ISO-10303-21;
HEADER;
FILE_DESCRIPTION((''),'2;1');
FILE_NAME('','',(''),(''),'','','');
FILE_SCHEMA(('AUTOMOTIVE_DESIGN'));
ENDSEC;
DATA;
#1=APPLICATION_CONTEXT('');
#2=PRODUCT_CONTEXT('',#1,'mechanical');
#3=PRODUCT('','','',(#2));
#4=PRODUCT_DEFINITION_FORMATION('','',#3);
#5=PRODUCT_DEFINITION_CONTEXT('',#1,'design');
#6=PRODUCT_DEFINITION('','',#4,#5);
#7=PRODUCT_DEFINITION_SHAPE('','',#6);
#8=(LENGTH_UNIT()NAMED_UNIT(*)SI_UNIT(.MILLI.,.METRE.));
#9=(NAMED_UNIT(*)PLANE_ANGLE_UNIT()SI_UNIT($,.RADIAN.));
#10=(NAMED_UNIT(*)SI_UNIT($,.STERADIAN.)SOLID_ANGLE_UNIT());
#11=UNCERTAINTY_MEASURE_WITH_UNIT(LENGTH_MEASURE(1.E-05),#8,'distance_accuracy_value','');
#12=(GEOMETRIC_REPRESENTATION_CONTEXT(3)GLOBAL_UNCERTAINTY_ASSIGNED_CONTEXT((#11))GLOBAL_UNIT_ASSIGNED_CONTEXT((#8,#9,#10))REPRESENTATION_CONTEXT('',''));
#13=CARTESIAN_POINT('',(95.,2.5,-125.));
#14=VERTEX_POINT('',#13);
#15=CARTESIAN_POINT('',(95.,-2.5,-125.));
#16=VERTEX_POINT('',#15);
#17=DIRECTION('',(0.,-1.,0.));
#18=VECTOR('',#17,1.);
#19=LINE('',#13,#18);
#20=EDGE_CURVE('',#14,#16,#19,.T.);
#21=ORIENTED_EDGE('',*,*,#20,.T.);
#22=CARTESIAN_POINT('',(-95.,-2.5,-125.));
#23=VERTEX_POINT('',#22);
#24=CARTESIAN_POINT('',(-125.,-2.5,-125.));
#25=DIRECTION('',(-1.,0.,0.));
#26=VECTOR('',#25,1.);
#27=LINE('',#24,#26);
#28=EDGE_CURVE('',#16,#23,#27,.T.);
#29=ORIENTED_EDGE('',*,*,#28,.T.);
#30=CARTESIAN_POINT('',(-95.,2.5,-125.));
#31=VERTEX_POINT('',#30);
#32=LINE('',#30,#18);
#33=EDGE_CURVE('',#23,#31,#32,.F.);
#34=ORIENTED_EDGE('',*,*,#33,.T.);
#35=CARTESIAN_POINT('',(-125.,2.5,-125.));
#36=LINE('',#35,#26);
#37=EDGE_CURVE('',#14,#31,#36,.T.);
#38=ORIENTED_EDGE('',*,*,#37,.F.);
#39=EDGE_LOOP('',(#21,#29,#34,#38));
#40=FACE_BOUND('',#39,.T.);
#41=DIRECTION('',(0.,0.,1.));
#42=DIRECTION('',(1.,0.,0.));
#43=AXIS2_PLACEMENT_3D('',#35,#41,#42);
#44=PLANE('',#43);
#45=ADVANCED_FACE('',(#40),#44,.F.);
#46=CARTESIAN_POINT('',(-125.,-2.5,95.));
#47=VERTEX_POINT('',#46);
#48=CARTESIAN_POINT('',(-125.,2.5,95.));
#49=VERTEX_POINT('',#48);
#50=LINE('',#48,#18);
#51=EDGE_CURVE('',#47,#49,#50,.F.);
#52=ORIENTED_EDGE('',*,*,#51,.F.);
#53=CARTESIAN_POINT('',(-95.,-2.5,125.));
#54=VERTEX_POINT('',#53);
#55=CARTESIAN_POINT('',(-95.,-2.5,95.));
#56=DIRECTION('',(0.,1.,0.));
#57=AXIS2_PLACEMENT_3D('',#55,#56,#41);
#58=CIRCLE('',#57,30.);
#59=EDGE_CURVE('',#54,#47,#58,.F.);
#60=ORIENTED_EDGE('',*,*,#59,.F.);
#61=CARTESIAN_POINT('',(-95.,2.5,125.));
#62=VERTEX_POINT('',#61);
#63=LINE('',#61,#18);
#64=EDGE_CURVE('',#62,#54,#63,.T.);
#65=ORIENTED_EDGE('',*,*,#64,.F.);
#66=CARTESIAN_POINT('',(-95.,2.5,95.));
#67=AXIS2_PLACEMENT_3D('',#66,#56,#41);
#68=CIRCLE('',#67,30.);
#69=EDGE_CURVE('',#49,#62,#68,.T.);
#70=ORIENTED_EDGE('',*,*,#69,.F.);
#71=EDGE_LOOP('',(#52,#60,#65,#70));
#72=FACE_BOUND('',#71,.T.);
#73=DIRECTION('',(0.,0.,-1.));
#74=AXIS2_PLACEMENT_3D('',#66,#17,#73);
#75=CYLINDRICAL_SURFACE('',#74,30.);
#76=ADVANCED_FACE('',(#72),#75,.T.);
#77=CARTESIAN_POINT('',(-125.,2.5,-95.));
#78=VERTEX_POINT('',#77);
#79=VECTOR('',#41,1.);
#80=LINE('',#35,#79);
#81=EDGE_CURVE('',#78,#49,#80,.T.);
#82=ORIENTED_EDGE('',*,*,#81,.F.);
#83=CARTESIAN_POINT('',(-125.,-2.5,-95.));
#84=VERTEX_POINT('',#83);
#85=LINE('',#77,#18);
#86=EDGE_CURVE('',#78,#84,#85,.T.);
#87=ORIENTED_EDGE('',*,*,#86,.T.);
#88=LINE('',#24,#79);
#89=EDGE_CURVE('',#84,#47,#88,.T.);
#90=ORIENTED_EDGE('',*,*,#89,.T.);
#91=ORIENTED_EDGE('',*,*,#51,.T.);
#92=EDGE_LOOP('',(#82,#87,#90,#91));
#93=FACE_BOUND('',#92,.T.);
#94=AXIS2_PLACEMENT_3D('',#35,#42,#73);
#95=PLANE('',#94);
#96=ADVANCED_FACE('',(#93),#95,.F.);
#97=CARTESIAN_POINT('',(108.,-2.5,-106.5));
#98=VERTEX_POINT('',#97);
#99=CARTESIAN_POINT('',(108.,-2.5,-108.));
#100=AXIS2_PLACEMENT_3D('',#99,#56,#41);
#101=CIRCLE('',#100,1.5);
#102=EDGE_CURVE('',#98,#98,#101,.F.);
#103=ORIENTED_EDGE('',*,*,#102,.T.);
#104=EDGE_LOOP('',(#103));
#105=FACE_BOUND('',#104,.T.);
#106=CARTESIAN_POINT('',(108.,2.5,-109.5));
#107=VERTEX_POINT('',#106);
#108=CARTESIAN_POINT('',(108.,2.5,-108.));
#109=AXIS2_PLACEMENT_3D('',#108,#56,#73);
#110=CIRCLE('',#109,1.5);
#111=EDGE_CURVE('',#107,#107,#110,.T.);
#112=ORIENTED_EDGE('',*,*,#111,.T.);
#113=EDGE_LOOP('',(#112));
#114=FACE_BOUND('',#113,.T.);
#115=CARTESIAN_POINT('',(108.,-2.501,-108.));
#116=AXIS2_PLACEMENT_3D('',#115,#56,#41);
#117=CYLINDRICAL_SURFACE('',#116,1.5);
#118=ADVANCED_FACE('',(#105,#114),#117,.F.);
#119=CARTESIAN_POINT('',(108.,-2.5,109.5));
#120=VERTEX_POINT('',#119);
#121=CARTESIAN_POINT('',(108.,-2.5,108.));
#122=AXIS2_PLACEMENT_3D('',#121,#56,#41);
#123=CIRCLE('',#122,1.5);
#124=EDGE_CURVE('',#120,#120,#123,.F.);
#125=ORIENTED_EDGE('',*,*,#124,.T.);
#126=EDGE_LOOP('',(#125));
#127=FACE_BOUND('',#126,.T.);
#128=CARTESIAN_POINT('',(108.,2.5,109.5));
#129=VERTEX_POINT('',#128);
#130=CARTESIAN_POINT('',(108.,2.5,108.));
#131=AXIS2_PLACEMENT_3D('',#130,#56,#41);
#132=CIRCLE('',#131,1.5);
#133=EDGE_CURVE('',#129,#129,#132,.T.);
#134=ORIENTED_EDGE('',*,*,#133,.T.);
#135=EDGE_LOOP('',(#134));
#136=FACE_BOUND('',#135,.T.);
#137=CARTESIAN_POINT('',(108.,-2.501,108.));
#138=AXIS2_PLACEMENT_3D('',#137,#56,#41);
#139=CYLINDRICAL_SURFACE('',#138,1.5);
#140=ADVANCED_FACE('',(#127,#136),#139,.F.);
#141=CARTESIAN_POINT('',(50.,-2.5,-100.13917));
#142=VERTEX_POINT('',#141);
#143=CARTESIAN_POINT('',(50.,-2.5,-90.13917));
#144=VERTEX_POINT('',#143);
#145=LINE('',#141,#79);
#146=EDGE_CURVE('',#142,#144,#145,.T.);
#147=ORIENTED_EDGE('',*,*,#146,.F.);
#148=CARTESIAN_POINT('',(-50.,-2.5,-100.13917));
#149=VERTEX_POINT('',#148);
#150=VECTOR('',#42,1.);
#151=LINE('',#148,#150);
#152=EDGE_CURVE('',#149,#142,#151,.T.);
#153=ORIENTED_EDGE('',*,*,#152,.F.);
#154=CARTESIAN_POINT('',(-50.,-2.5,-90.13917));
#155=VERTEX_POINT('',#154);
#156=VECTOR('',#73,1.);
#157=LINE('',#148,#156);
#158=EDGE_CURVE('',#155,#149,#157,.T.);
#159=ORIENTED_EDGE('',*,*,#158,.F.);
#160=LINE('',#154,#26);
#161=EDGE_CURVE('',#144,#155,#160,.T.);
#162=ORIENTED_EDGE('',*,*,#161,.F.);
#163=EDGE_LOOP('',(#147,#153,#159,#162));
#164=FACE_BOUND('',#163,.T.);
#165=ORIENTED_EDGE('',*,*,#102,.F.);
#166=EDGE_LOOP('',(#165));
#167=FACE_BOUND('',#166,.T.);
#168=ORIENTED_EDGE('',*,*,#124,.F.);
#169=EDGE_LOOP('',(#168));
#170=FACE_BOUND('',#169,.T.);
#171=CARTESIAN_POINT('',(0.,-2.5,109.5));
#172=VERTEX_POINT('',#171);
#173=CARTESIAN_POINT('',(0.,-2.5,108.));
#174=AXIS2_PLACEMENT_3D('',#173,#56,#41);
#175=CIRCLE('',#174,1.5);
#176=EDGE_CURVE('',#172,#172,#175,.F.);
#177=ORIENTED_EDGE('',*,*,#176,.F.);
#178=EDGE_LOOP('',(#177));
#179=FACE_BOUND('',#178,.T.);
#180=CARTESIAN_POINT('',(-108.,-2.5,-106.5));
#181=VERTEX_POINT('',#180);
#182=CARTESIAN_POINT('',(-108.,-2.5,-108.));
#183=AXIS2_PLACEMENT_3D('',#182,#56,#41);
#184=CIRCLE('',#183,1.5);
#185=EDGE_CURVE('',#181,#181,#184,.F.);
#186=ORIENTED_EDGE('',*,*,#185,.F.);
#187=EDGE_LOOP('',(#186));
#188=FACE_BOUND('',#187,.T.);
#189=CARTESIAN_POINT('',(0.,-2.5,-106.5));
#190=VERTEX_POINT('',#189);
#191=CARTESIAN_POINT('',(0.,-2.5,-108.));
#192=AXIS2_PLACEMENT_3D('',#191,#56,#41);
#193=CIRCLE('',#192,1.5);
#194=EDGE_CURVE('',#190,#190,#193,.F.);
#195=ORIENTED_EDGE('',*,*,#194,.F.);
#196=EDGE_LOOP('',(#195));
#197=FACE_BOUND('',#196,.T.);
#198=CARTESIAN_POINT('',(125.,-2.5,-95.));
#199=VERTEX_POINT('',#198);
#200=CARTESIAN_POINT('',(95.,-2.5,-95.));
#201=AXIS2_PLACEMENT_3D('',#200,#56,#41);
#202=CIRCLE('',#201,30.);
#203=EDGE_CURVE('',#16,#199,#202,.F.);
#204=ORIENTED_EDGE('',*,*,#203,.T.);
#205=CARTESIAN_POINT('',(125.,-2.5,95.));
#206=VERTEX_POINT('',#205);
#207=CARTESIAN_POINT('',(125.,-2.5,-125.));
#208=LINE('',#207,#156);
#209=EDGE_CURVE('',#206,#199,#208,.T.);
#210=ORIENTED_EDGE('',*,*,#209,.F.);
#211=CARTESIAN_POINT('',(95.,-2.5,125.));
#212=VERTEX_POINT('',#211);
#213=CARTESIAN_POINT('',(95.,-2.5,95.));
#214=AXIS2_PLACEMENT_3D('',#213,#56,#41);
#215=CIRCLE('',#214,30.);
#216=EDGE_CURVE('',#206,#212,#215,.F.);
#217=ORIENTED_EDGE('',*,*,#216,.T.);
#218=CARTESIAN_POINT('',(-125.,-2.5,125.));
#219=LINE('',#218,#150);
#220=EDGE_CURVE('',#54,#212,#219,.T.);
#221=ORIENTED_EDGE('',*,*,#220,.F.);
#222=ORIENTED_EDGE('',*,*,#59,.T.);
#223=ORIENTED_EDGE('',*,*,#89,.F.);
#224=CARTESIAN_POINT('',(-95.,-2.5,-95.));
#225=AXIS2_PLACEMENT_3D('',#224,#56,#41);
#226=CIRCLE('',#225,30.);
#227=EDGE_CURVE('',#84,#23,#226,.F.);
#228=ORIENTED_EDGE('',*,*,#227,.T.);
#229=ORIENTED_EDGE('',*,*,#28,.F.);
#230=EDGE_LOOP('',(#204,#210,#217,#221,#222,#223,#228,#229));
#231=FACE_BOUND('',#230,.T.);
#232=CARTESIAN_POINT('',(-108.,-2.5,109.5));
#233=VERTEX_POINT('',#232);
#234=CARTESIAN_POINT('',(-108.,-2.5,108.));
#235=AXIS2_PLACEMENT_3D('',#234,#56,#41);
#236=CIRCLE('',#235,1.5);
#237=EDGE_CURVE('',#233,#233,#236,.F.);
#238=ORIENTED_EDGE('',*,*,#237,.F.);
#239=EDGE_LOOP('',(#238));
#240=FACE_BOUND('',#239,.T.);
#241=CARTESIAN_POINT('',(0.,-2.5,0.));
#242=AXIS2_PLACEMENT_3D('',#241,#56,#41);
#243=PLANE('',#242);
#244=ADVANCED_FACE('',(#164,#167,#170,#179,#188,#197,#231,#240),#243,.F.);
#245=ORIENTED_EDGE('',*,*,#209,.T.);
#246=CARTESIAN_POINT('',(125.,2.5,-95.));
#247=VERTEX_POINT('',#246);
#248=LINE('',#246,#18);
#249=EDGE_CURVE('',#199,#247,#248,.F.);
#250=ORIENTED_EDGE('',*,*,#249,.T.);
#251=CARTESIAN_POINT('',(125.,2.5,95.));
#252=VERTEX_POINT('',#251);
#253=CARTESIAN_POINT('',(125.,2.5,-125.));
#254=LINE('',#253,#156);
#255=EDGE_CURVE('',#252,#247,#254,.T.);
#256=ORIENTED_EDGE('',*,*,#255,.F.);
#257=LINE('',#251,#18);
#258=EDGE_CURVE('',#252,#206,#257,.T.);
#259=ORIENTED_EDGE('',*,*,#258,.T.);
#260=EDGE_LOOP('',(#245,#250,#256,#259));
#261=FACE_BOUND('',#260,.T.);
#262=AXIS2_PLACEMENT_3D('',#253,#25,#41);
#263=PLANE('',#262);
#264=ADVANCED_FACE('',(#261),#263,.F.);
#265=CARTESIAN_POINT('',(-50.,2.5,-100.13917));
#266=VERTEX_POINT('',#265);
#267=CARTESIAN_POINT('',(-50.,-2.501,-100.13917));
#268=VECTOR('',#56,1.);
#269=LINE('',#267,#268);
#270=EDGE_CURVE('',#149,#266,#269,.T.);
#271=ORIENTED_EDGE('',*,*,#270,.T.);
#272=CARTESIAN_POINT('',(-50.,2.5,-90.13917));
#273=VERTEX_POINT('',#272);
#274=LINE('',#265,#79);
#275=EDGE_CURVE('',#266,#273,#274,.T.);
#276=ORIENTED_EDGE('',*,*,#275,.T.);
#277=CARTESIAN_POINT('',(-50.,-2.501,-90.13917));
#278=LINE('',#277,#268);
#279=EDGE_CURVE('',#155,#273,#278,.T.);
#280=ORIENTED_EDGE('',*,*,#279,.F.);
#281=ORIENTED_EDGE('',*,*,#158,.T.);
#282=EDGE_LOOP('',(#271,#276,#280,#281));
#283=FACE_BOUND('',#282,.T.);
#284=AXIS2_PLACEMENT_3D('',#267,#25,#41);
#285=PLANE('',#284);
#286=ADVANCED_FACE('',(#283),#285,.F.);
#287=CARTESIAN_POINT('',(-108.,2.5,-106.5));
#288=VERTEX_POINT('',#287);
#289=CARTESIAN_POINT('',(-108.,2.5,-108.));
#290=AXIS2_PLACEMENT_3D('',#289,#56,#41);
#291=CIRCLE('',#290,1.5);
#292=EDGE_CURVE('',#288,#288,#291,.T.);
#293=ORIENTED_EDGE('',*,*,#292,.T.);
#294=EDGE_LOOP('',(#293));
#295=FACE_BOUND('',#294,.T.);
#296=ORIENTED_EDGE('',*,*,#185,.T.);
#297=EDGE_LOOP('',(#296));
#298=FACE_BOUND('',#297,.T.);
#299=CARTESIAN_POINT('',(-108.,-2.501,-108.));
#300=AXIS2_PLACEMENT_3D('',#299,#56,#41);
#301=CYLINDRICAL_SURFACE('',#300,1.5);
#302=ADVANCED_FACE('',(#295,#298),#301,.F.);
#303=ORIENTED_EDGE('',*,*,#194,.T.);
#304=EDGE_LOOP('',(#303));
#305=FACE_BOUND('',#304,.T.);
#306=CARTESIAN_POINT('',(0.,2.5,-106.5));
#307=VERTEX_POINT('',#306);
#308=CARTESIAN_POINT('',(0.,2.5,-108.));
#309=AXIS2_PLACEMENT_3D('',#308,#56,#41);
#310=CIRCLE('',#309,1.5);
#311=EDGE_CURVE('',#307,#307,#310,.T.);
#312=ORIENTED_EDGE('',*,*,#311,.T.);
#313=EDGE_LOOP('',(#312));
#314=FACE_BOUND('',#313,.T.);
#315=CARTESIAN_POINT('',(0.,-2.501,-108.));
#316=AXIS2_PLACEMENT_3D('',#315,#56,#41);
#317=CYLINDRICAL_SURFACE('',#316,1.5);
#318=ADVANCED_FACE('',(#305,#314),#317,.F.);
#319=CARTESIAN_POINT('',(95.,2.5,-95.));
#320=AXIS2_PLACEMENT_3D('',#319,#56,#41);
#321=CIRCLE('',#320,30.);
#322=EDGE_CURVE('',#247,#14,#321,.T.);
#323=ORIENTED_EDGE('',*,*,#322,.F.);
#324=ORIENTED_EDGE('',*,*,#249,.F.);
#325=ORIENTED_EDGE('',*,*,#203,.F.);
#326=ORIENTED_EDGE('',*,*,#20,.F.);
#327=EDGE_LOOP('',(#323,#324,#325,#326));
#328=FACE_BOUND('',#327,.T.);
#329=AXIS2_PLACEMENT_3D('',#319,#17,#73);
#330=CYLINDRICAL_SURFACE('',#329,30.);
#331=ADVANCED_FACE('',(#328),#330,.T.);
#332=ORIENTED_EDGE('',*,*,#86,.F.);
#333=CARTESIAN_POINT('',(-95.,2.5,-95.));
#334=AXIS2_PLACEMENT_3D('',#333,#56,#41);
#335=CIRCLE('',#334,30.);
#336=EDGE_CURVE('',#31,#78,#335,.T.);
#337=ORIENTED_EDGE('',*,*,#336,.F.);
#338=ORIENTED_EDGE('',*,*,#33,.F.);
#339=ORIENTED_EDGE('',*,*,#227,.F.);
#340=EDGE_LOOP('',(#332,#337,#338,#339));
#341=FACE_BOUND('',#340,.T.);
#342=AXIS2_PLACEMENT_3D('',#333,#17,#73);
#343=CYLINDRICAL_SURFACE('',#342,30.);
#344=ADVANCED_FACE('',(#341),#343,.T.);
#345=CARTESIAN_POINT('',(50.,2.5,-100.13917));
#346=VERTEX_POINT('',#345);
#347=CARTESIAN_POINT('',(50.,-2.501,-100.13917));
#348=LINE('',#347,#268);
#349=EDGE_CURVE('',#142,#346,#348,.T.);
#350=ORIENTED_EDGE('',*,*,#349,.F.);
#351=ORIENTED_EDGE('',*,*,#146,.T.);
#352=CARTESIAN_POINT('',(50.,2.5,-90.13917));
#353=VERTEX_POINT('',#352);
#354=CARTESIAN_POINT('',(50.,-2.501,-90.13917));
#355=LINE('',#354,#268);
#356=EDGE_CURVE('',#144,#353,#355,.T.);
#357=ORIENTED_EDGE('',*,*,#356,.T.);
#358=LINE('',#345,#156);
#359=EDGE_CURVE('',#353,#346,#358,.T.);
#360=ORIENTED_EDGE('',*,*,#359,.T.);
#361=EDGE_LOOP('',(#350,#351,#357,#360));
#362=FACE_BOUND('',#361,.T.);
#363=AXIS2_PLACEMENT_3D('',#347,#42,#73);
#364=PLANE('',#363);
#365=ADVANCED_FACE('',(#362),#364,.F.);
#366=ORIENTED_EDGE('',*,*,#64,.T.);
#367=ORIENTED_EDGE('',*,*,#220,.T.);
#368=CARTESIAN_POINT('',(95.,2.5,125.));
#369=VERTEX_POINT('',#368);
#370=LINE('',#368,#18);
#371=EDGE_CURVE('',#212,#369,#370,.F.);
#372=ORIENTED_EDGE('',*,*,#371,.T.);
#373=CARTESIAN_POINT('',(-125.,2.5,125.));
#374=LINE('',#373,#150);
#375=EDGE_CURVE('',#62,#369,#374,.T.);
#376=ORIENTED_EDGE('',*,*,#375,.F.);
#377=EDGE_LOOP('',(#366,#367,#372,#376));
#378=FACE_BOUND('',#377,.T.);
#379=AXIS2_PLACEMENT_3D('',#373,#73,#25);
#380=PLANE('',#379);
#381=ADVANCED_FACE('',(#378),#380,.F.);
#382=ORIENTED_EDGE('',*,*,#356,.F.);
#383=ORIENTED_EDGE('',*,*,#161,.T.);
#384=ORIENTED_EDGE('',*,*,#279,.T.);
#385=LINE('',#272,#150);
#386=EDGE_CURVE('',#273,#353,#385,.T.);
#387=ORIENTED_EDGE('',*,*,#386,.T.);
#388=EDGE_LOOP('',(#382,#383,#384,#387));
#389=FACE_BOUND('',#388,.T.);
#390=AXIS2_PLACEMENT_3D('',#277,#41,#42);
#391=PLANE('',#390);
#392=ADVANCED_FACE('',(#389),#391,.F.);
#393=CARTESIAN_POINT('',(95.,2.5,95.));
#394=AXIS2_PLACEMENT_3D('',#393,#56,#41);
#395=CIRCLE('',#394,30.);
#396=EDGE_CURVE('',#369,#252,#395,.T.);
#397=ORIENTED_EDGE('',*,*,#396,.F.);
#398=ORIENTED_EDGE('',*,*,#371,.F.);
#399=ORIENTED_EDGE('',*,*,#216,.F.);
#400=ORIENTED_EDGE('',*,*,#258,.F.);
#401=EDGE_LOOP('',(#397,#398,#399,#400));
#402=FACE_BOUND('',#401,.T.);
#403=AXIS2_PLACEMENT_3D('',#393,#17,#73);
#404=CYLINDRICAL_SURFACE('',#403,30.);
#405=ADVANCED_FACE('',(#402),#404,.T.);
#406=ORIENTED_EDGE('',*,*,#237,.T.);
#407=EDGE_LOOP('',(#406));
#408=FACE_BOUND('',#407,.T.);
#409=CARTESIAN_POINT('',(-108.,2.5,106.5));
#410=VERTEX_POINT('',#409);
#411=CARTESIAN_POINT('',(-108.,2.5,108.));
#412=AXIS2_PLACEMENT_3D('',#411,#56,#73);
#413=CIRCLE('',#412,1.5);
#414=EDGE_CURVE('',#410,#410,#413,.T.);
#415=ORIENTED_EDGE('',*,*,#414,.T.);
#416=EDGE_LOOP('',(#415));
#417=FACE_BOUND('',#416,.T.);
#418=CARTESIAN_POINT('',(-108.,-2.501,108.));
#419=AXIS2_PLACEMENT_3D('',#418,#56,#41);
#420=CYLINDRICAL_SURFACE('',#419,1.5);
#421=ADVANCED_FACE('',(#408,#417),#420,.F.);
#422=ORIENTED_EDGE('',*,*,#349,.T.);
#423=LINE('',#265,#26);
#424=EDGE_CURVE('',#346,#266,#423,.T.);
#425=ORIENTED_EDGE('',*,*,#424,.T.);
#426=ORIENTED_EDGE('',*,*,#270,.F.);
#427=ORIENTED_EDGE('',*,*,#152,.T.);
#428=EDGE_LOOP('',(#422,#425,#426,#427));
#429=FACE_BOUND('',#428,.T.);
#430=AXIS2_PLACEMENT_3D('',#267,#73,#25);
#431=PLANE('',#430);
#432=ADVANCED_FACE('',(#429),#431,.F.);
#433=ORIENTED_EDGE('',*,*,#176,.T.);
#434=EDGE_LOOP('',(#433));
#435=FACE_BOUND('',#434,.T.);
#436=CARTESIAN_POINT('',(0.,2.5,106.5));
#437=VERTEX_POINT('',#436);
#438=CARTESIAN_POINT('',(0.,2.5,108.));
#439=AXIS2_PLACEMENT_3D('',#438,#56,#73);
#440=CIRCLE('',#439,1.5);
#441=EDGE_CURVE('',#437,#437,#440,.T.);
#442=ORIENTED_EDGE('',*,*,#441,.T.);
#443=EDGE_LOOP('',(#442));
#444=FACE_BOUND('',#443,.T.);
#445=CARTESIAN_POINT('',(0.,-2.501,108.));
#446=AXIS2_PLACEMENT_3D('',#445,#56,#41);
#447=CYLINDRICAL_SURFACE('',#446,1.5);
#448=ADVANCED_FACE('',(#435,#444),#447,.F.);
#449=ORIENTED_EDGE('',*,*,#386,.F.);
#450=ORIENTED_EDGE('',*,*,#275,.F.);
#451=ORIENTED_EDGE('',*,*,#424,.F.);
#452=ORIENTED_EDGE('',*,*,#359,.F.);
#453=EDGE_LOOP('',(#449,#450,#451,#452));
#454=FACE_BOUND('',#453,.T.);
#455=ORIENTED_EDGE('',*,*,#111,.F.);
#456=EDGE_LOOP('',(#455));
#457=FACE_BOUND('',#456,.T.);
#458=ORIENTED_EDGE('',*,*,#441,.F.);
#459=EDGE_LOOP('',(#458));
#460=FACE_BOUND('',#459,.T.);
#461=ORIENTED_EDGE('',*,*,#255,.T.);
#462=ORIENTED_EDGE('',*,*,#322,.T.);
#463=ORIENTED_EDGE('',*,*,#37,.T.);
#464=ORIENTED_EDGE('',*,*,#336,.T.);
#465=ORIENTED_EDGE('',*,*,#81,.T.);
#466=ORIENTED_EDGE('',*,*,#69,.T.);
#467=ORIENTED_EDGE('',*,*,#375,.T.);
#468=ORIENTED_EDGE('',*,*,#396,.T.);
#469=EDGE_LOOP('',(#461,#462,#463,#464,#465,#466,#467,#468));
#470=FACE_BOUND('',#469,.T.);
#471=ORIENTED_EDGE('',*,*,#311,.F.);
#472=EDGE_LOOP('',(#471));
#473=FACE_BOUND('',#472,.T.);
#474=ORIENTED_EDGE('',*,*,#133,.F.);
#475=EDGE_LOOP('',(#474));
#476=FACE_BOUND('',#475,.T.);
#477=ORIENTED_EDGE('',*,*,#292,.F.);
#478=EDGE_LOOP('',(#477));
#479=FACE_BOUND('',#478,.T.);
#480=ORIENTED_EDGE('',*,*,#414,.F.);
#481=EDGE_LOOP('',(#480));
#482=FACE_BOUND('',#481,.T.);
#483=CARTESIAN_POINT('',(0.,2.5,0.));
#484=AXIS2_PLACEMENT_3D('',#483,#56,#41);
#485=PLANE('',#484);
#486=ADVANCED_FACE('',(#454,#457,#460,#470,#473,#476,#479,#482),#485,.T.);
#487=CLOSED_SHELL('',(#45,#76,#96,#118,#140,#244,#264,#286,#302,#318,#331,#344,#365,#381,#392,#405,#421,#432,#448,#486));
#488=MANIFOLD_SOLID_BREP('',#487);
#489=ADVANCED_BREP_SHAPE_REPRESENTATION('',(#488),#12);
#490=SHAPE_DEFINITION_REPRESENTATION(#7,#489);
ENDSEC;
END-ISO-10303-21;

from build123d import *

# Parameters (mm, degrees)
SKETCH1_W           = 250
SKETCH1_H           = 250
BOSS_EXTRUDE1_DEPTH = 2.5
CUT_EXTRUDE1_REACH  = 7
SKETCH2_W           = 100
SKETCH2_H           = 10
CUT_EXTRUDE2_REACH  = 7
SKETCH4_R           = 1.5
FILLET1_R           = 30


with BuildPart() as part:
    # Sketch1 → Boss-Extrude1 (new body, symmetric)
    with BuildSketch(Plane(origin=(0, 0, 0), x_dir=(1, 0, 0), z_dir=(0, 1, 0))):
        Rectangle(SKETCH1_W, SKETCH1_H)
    extrude(amount=BOSS_EXTRUDE1_DEPTH, both=True)

    # Sketch2 → Cut-Extrude1 (cut, up to next)
    with BuildSketch(Plane(origin=(0, 2.5, 0), x_dir=(1, 0, 0), z_dir=(0, 1, 0)), mode=Mode.PRIVATE) as cut_extrude1_sk1:
        with Locations((0, 95.139170266)):
            Rectangle(SKETCH2_W, SKETCH2_H)
    cut_extrude1_tool1 = extrude(cut_extrude1_sk1.sketch, amount=-CUT_EXTRUDE1_REACH, mode=Mode.PRIVATE) & part.part
    add(cut_extrude1_tool1.solids().sort_by_distance((0, 2.5, -95.13917))[0], mode=Mode.SUBTRACT)

    # Sketch4 → Cut-Extrude2 (cut, up to next)
    with BuildSketch(Plane(origin=(0, 2.5, 0), x_dir=(1, 0, 0), z_dir=(0, 1, 0)), mode=Mode.PRIVATE) as cut_extrude2_sk1:
        with Locations((-108, 108)):
            Circle(SKETCH4_R)
    cut_extrude2_tool1 = extrude(cut_extrude2_sk1.sketch, amount=-CUT_EXTRUDE2_REACH, mode=Mode.PRIVATE) & part.part
    add(cut_extrude2_tool1.solids().sort_by_distance((-108, 2.5, -108))[0], mode=Mode.SUBTRACT)
    # Sketch4 → Cut-Extrude2 (cut, up to next)
    with BuildSketch(Plane(origin=(0, 2.5, 0), x_dir=(1, 0, 0), z_dir=(0, 1, 0)), mode=Mode.PRIVATE) as cut_extrude2_sk2:
        with Locations((0, 108)):
            Circle(SKETCH4_R)
    cut_extrude2_tool2 = extrude(cut_extrude2_sk2.sketch, amount=-CUT_EXTRUDE2_REACH, mode=Mode.PRIVATE) & part.part
    add(cut_extrude2_tool2.solids().sort_by_distance((0, 2.5, -108))[0], mode=Mode.SUBTRACT)
    # Sketch4 → Cut-Extrude2 (cut, up to next)
    with BuildSketch(Plane(origin=(0, 2.5, 0), x_dir=(1, 0, 0), z_dir=(0, 1, 0)), mode=Mode.PRIVATE) as cut_extrude2_sk3:
        with Locations((108, 108)):
            Circle(SKETCH4_R)
    cut_extrude2_tool3 = extrude(cut_extrude2_sk3.sketch, amount=-CUT_EXTRUDE2_REACH, mode=Mode.PRIVATE) & part.part
    add(cut_extrude2_tool3.solids().sort_by_distance((108, 2.5, -108))[0], mode=Mode.SUBTRACT)
    # Sketch4 → Cut-Extrude2 (cut, up to next)
    with BuildSketch(Plane(origin=(0, 2.5, 0), x_dir=(1, 0, 0), z_dir=(0, 1, 0)), mode=Mode.PRIVATE) as cut_extrude2_sk4:
        with Locations((108, -108)):
            Circle(SKETCH4_R)
    cut_extrude2_tool4 = extrude(cut_extrude2_sk4.sketch, amount=-CUT_EXTRUDE2_REACH, mode=Mode.PRIVATE) & part.part
    add(cut_extrude2_tool4.solids().sort_by_distance((108, 2.5, 108))[0], mode=Mode.SUBTRACT)
    # Sketch4 → Cut-Extrude2 (cut, up to next)
    with BuildSketch(Plane(origin=(0, 2.5, 0), x_dir=(1, 0, 0), z_dir=(0, 1, 0)), mode=Mode.PRIVATE) as cut_extrude2_sk5:
        with Locations((0, -108)):
            Circle(SKETCH4_R)
    cut_extrude2_tool5 = extrude(cut_extrude2_sk5.sketch, amount=-CUT_EXTRUDE2_REACH, mode=Mode.PRIVATE) & part.part
    add(cut_extrude2_tool5.solids().sort_by_distance((0, 2.5, 108))[0], mode=Mode.SUBTRACT)
    # Sketch4 → Cut-Extrude2 (cut, up to next)
    with BuildSketch(Plane(origin=(0, 2.5, 0), x_dir=(1, 0, 0), z_dir=(0, 1, 0)), mode=Mode.PRIVATE) as cut_extrude2_sk6:
        with Locations((-108, -108)):
            Circle(SKETCH4_R)
    cut_extrude2_tool6 = extrude(cut_extrude2_sk6.sketch, amount=-CUT_EXTRUDE2_REACH, mode=Mode.PRIVATE) & part.part
    add(cut_extrude2_tool6.solids().sort_by_distance((-108, 2.5, 108))[0], mode=Mode.SUBTRACT)

    # Fillet1
    fillet1_edges = [part.edges().sort_by_distance(p)[0] for p in [
        (125, 0, 125),
        (-125, 0, 125),
        (-125, 0, -125),
        (125, 0, -125),
    ]]
    fillet(fillet1_edges, radius=FILLET1_R)


solid = part.part
